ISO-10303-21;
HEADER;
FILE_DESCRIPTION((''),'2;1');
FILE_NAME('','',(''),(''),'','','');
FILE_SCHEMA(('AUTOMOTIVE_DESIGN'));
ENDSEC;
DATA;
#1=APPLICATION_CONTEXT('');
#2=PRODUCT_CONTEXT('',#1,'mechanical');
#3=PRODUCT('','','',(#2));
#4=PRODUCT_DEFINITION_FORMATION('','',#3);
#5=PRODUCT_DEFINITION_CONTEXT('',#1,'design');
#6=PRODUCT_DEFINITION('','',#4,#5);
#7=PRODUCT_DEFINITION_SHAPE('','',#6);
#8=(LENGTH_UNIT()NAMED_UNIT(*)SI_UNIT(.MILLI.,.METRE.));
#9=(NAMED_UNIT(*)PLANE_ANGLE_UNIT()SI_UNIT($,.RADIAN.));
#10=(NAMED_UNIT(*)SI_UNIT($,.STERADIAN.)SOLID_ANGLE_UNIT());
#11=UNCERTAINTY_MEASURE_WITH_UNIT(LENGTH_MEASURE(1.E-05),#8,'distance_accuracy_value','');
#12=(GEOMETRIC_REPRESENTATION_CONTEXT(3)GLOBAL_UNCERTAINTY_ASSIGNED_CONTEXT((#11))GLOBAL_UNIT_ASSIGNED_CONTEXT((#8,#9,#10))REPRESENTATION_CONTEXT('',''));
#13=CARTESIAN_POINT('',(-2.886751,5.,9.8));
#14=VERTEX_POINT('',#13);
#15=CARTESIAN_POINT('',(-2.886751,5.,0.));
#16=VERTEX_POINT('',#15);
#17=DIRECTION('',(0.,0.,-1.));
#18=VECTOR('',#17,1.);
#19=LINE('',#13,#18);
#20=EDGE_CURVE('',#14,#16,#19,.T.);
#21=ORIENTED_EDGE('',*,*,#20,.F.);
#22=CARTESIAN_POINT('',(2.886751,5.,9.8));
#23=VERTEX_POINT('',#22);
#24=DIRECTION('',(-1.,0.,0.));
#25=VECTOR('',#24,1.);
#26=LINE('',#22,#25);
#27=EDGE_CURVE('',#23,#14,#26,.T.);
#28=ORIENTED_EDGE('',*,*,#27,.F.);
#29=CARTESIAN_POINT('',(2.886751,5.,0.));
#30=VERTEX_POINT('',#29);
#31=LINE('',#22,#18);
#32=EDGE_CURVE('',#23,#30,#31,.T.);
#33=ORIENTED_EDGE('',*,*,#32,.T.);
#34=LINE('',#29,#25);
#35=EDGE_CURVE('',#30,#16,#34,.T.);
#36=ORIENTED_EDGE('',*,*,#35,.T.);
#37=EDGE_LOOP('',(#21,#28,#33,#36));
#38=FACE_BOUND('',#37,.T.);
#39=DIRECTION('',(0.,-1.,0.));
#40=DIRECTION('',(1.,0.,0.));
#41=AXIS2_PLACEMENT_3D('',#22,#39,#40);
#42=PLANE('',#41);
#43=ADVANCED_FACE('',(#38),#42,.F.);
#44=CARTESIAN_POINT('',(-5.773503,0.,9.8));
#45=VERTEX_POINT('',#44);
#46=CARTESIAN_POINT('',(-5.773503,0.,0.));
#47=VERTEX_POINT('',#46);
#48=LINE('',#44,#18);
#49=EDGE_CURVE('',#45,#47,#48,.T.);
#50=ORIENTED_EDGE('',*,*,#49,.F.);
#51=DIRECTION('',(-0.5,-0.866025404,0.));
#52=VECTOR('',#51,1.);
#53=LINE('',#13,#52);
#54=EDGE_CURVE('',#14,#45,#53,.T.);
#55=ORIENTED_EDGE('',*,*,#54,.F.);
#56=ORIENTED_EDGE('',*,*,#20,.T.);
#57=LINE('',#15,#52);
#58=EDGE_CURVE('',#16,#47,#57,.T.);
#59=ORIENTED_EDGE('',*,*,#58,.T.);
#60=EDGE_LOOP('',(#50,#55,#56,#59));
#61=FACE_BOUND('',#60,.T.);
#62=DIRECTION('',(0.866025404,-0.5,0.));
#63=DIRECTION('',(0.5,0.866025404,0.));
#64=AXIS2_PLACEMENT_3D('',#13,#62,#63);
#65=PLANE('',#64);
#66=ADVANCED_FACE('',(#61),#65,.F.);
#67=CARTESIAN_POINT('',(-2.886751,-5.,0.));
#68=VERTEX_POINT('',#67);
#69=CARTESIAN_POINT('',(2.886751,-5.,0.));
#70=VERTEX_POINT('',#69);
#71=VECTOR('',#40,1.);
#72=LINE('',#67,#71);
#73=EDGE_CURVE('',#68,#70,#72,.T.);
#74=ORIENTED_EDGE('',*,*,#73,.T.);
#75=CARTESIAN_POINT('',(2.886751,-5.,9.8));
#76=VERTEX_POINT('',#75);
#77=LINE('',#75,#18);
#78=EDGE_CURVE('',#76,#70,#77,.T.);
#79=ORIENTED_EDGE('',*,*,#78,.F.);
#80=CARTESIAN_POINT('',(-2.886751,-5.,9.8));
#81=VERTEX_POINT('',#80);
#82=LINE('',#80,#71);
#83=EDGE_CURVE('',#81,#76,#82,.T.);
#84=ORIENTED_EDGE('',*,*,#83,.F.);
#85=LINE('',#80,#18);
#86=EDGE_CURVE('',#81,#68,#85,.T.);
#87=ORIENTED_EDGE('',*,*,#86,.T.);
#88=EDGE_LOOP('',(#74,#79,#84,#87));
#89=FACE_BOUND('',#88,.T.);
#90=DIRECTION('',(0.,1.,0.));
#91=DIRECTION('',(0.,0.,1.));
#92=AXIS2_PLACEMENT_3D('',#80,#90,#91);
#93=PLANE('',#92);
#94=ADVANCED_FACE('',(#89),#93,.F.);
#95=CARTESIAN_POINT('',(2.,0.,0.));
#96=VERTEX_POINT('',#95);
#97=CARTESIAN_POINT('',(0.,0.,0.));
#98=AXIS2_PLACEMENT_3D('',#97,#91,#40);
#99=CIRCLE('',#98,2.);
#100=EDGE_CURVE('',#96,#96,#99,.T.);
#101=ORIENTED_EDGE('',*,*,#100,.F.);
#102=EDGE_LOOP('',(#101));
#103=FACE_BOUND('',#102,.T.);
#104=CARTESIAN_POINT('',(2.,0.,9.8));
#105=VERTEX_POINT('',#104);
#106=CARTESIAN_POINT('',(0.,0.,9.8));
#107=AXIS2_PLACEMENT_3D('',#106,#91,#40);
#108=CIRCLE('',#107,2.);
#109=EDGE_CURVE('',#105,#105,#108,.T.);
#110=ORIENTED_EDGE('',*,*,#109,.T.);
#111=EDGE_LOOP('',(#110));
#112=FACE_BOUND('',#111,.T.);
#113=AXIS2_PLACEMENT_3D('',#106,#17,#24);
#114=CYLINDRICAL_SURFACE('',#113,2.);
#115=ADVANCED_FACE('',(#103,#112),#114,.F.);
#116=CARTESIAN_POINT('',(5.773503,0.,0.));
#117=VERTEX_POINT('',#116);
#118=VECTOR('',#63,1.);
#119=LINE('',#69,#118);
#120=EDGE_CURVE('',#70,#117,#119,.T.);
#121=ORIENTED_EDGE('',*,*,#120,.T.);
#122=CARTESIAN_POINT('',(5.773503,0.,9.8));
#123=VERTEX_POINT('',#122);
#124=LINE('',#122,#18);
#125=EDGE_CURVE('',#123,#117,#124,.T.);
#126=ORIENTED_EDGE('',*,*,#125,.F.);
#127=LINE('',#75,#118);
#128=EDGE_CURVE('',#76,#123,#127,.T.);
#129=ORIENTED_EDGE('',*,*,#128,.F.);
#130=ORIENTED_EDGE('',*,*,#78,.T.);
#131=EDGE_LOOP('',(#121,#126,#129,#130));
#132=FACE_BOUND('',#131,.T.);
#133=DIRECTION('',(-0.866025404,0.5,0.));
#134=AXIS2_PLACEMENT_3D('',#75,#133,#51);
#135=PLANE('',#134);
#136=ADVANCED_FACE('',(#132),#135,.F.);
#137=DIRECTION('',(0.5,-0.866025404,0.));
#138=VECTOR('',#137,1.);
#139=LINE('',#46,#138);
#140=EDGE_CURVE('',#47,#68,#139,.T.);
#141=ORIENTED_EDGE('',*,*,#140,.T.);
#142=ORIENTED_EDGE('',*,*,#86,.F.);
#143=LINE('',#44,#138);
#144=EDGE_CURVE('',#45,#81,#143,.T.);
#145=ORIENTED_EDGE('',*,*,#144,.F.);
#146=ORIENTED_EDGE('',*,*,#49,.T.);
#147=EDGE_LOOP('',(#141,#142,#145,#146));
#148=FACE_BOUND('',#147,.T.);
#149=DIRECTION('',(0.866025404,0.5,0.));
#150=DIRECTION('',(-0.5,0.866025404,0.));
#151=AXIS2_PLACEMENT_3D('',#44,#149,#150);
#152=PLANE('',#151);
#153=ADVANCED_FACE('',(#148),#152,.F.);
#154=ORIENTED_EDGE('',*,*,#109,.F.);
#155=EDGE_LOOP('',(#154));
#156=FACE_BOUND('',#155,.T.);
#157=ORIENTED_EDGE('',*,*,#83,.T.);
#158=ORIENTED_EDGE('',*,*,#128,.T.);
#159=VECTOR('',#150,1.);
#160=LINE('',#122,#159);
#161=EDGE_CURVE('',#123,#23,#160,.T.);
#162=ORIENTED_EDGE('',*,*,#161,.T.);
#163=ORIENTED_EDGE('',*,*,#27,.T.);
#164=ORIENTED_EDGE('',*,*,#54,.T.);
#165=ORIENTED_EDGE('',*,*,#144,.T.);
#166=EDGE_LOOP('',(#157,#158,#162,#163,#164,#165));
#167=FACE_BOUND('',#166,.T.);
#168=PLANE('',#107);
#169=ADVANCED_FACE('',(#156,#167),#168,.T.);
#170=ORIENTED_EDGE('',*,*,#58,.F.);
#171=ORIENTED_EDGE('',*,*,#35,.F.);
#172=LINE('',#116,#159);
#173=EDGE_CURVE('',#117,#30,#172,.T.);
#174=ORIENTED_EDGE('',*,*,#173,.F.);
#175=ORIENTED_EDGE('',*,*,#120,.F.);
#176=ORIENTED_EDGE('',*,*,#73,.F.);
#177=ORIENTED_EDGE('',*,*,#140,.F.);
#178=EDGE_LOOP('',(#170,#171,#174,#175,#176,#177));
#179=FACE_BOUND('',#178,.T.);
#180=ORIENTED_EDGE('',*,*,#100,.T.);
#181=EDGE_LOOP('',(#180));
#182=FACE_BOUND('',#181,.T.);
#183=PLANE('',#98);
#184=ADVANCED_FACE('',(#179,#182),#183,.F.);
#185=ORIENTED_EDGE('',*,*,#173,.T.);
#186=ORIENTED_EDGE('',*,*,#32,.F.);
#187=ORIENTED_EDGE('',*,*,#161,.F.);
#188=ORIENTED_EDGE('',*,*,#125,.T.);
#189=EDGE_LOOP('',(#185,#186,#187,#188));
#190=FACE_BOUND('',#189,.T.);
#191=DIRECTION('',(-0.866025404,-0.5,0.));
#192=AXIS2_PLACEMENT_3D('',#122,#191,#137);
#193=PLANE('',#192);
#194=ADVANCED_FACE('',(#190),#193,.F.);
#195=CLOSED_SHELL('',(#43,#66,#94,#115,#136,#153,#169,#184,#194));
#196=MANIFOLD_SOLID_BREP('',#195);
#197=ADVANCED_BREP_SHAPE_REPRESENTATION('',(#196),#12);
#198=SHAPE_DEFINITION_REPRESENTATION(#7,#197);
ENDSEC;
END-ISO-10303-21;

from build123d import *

# Parameters (mm, degrees)
SKETCH_1_R      = 2
EXTRUDE_1_DEPTH = 9.8


with BuildPart() as part:
    # 草图1 → 凸台-拉伸1 (new body)
    with BuildSketch(Plane.XY):
        Polygon((2.886751346, -5), (5.773502692, 0), (2.886751346, 5), (-2.886751346, 5), (-5.773502692, 0), (-2.886751346, -5), align=None)
        Circle(SKETCH_1_R, mode=Mode.SUBTRACT)
    extrude(amount=EXTRUDE_1_DEPTH)


solid = part.part
